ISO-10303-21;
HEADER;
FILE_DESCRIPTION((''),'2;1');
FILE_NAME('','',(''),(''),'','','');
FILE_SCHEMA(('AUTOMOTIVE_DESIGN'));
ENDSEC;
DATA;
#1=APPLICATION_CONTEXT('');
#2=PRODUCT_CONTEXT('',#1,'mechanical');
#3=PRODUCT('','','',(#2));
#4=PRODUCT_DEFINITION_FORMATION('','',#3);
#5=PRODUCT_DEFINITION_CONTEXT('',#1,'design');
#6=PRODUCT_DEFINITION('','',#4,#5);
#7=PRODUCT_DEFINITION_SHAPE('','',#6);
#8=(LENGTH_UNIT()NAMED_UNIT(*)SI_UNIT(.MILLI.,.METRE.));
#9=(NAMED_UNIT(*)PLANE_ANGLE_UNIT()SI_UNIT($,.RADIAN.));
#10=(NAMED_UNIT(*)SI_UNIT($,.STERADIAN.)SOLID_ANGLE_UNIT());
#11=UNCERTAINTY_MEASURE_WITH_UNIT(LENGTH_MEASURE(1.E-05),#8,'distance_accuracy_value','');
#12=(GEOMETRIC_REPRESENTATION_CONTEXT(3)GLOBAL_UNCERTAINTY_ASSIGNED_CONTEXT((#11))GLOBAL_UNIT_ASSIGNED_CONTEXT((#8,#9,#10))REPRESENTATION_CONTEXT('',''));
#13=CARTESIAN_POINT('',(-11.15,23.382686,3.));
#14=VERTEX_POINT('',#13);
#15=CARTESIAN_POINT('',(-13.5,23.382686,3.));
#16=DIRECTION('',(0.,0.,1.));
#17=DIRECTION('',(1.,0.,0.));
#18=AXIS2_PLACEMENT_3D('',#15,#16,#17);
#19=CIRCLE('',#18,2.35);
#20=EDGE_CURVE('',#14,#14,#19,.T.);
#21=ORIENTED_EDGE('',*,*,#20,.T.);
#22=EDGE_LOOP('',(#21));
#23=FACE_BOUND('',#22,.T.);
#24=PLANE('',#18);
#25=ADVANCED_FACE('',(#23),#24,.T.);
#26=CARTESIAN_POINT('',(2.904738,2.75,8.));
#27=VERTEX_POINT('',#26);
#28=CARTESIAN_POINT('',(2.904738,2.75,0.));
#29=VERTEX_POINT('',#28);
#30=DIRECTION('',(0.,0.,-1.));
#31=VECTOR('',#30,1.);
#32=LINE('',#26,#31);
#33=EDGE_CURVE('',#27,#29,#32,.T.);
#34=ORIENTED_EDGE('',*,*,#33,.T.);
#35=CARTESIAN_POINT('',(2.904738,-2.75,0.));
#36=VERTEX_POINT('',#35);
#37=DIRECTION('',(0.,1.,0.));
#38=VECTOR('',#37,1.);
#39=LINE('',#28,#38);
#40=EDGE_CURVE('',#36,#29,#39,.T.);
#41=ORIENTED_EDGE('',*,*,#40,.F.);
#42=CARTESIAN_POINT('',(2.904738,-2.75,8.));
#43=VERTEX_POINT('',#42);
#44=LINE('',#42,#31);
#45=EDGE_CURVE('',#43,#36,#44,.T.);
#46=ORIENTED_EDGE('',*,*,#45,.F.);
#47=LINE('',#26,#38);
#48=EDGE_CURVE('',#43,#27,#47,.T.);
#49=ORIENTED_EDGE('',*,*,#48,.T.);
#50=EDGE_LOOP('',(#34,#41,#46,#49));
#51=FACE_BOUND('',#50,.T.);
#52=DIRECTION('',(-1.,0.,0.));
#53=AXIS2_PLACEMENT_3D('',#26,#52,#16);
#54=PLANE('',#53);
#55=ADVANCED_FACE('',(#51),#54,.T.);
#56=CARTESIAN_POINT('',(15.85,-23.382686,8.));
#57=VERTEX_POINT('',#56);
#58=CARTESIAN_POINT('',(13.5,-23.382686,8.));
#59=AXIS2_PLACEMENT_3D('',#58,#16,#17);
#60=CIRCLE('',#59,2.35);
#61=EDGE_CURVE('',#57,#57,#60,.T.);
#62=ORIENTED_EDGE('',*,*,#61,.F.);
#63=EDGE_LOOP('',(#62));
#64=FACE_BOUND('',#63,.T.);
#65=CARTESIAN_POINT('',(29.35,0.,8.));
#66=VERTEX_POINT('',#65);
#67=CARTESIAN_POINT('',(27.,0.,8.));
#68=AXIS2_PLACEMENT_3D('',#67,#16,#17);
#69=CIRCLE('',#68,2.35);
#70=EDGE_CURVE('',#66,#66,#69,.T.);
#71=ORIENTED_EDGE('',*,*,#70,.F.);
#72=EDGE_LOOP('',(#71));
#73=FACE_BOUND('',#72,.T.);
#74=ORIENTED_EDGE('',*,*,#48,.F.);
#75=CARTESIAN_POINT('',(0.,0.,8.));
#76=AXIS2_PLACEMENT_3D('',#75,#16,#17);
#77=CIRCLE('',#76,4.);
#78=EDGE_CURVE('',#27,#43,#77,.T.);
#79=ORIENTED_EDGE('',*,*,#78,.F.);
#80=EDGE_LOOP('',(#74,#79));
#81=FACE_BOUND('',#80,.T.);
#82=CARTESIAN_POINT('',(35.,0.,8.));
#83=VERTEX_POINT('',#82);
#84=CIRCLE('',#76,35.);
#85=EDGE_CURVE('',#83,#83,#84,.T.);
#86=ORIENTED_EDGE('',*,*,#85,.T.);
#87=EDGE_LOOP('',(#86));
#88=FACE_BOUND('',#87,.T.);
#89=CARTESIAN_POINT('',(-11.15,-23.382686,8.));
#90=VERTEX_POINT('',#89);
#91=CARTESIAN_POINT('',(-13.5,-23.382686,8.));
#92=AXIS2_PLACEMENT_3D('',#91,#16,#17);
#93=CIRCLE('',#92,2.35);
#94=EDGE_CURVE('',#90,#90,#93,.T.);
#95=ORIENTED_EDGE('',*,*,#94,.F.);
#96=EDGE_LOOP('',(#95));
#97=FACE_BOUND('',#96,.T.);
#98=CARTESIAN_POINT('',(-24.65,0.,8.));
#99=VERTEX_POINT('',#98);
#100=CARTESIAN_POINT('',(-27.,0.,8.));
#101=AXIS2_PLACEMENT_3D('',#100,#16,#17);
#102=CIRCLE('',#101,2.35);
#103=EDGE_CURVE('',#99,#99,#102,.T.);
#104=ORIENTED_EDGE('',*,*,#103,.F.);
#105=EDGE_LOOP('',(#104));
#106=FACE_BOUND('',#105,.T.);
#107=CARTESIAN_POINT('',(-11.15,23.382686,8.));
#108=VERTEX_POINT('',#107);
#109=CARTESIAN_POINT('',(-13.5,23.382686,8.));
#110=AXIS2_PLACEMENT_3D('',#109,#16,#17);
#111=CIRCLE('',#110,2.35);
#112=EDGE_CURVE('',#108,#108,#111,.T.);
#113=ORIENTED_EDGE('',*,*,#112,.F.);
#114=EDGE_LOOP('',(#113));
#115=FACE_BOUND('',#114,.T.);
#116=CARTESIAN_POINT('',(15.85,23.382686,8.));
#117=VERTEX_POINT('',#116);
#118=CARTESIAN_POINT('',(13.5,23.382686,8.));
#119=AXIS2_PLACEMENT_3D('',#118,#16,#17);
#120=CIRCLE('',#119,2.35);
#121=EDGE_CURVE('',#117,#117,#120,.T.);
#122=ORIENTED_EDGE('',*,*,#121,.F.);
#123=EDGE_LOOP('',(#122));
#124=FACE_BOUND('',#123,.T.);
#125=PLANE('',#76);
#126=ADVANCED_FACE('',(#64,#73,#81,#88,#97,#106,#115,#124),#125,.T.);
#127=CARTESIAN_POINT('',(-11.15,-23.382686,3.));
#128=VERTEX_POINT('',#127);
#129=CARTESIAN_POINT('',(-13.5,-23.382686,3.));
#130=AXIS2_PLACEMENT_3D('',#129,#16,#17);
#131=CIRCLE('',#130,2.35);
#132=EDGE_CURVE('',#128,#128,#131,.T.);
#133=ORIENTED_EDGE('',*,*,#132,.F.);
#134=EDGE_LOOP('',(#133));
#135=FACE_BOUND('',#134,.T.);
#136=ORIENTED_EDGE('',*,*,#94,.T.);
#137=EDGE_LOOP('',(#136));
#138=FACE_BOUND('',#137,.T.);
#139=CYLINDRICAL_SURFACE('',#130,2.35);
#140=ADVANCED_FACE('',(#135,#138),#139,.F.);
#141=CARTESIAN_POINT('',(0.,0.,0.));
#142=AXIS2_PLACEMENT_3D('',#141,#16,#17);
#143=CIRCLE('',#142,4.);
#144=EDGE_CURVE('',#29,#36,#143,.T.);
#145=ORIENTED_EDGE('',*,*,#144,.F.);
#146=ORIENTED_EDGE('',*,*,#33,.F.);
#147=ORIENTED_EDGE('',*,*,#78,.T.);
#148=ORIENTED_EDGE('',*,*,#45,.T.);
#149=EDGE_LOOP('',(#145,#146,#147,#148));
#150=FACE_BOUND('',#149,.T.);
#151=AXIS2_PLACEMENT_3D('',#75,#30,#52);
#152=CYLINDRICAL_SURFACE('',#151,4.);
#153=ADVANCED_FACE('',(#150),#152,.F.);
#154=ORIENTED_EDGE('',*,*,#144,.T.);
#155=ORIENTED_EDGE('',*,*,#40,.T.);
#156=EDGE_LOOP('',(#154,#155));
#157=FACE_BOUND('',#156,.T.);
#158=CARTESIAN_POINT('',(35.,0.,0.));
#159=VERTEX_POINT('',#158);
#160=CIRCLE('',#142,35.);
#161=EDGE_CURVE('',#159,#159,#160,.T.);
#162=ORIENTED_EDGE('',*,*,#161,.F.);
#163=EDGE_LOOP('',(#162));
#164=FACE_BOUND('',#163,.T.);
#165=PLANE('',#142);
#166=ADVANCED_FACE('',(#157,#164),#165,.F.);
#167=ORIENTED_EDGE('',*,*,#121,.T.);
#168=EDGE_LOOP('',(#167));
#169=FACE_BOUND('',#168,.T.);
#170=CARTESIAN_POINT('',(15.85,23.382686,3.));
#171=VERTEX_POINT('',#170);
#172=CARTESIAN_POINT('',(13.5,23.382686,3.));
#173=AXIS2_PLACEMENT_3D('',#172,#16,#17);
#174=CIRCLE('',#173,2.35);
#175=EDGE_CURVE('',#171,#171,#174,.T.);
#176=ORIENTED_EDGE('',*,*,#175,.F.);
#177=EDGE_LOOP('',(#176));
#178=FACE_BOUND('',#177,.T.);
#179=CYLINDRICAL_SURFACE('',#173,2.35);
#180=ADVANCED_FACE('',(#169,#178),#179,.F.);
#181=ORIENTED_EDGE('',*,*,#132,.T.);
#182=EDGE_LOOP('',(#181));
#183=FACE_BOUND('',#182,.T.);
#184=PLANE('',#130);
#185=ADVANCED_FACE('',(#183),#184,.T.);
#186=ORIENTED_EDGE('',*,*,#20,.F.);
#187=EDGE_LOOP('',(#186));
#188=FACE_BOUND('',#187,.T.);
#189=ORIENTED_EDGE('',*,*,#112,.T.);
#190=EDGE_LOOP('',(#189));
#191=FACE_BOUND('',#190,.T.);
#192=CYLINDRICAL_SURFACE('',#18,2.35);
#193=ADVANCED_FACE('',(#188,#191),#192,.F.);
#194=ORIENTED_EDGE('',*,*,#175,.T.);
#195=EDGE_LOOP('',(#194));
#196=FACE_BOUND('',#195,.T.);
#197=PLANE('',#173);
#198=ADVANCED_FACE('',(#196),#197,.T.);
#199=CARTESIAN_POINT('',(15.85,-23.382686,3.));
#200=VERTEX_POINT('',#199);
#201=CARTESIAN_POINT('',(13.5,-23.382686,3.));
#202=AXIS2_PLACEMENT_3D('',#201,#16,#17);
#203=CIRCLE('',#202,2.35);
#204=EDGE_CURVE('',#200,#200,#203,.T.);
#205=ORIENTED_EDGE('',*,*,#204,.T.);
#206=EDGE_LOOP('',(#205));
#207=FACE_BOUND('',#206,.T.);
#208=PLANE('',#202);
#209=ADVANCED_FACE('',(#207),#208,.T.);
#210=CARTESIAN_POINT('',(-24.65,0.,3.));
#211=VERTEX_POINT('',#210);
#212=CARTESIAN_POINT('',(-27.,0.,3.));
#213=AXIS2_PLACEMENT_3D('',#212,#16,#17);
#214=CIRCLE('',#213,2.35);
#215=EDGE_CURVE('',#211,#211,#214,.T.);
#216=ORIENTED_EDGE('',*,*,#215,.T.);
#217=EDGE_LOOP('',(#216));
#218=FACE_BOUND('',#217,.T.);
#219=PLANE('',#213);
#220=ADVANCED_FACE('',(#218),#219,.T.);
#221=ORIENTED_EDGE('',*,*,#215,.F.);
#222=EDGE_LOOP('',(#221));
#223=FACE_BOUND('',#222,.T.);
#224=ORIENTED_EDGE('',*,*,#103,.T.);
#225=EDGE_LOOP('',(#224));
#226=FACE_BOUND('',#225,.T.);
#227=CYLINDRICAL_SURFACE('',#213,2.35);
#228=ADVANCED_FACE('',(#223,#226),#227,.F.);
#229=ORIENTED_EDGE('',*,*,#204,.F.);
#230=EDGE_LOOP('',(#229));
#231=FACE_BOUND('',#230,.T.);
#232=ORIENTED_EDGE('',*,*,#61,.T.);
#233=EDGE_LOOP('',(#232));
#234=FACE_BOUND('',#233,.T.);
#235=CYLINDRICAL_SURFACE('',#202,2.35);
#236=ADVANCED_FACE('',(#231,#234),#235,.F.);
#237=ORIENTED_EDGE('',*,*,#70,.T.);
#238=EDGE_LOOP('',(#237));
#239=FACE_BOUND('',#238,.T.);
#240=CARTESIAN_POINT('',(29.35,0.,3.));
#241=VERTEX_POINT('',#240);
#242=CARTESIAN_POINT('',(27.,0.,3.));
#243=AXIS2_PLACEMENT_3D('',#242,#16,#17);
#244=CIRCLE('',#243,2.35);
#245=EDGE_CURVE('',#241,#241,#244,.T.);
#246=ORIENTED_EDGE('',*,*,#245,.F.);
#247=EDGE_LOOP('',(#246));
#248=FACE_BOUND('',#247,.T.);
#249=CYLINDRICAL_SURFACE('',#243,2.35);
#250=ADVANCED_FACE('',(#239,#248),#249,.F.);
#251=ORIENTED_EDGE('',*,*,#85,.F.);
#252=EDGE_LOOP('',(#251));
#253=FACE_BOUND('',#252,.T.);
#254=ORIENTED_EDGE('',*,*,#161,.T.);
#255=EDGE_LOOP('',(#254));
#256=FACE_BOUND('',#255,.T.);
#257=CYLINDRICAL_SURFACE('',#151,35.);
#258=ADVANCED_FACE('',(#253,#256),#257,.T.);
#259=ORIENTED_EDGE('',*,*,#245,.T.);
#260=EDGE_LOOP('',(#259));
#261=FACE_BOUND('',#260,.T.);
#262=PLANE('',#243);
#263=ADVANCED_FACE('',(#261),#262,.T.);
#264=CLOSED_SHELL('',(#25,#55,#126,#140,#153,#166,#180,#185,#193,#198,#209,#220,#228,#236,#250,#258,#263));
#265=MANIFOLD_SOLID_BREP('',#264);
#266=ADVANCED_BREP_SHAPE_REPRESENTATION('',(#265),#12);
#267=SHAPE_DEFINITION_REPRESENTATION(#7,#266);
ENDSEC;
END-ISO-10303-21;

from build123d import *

# Parameters (mm, degrees)
CROQUIS1_R              = 35
SALIENTE_EXTRUIR1_DEPTH = 8
CROQUIS2_R              = 2.35
CORTAR_EXTRUIR1_DEPTH   = 5


with BuildPart() as part:
    # Croquis1 → Saliente-Extruir1 (new body)
    with BuildSketch(Plane.XY):
        Circle(CROQUIS1_R)
        with BuildLine():
            Line((2.90473751, 2.75), (2.90473751, -2.75))
            ThreePointArc((2.90473751, -2.75), (-4, 0), (2.90473751, 2.75))
        make_face(mode=Mode.SUBTRACT)
    extrude(amount=SALIENTE_EXTRUIR1_DEPTH)

    # Croquis2 → Cortar-Extruir1 (cut)
    with BuildSketch(Plane.XY.offset(8)):
        with Locations((27, 0)):
            Circle(CROQUIS2_R)
        with Locations((13.5, -23.382685902)):
            Circle(CROQUIS2_R)
        with Locations((-13.5, -23.382685902)):
            Circle(CROQUIS2_R)
        with Locations((-27, 0)):
            Circle(CROQUIS2_R)
        with Locations((-13.5, 23.382685902)):
            Circle(CROQUIS2_R)
        with Locations((13.5, 23.382685902)):
            Circle(CROQUIS2_R)
    extrude(amount=-CORTAR_EXTRUIR1_DEPTH, mode=Mode.SUBTRACT)


solid = part.part
